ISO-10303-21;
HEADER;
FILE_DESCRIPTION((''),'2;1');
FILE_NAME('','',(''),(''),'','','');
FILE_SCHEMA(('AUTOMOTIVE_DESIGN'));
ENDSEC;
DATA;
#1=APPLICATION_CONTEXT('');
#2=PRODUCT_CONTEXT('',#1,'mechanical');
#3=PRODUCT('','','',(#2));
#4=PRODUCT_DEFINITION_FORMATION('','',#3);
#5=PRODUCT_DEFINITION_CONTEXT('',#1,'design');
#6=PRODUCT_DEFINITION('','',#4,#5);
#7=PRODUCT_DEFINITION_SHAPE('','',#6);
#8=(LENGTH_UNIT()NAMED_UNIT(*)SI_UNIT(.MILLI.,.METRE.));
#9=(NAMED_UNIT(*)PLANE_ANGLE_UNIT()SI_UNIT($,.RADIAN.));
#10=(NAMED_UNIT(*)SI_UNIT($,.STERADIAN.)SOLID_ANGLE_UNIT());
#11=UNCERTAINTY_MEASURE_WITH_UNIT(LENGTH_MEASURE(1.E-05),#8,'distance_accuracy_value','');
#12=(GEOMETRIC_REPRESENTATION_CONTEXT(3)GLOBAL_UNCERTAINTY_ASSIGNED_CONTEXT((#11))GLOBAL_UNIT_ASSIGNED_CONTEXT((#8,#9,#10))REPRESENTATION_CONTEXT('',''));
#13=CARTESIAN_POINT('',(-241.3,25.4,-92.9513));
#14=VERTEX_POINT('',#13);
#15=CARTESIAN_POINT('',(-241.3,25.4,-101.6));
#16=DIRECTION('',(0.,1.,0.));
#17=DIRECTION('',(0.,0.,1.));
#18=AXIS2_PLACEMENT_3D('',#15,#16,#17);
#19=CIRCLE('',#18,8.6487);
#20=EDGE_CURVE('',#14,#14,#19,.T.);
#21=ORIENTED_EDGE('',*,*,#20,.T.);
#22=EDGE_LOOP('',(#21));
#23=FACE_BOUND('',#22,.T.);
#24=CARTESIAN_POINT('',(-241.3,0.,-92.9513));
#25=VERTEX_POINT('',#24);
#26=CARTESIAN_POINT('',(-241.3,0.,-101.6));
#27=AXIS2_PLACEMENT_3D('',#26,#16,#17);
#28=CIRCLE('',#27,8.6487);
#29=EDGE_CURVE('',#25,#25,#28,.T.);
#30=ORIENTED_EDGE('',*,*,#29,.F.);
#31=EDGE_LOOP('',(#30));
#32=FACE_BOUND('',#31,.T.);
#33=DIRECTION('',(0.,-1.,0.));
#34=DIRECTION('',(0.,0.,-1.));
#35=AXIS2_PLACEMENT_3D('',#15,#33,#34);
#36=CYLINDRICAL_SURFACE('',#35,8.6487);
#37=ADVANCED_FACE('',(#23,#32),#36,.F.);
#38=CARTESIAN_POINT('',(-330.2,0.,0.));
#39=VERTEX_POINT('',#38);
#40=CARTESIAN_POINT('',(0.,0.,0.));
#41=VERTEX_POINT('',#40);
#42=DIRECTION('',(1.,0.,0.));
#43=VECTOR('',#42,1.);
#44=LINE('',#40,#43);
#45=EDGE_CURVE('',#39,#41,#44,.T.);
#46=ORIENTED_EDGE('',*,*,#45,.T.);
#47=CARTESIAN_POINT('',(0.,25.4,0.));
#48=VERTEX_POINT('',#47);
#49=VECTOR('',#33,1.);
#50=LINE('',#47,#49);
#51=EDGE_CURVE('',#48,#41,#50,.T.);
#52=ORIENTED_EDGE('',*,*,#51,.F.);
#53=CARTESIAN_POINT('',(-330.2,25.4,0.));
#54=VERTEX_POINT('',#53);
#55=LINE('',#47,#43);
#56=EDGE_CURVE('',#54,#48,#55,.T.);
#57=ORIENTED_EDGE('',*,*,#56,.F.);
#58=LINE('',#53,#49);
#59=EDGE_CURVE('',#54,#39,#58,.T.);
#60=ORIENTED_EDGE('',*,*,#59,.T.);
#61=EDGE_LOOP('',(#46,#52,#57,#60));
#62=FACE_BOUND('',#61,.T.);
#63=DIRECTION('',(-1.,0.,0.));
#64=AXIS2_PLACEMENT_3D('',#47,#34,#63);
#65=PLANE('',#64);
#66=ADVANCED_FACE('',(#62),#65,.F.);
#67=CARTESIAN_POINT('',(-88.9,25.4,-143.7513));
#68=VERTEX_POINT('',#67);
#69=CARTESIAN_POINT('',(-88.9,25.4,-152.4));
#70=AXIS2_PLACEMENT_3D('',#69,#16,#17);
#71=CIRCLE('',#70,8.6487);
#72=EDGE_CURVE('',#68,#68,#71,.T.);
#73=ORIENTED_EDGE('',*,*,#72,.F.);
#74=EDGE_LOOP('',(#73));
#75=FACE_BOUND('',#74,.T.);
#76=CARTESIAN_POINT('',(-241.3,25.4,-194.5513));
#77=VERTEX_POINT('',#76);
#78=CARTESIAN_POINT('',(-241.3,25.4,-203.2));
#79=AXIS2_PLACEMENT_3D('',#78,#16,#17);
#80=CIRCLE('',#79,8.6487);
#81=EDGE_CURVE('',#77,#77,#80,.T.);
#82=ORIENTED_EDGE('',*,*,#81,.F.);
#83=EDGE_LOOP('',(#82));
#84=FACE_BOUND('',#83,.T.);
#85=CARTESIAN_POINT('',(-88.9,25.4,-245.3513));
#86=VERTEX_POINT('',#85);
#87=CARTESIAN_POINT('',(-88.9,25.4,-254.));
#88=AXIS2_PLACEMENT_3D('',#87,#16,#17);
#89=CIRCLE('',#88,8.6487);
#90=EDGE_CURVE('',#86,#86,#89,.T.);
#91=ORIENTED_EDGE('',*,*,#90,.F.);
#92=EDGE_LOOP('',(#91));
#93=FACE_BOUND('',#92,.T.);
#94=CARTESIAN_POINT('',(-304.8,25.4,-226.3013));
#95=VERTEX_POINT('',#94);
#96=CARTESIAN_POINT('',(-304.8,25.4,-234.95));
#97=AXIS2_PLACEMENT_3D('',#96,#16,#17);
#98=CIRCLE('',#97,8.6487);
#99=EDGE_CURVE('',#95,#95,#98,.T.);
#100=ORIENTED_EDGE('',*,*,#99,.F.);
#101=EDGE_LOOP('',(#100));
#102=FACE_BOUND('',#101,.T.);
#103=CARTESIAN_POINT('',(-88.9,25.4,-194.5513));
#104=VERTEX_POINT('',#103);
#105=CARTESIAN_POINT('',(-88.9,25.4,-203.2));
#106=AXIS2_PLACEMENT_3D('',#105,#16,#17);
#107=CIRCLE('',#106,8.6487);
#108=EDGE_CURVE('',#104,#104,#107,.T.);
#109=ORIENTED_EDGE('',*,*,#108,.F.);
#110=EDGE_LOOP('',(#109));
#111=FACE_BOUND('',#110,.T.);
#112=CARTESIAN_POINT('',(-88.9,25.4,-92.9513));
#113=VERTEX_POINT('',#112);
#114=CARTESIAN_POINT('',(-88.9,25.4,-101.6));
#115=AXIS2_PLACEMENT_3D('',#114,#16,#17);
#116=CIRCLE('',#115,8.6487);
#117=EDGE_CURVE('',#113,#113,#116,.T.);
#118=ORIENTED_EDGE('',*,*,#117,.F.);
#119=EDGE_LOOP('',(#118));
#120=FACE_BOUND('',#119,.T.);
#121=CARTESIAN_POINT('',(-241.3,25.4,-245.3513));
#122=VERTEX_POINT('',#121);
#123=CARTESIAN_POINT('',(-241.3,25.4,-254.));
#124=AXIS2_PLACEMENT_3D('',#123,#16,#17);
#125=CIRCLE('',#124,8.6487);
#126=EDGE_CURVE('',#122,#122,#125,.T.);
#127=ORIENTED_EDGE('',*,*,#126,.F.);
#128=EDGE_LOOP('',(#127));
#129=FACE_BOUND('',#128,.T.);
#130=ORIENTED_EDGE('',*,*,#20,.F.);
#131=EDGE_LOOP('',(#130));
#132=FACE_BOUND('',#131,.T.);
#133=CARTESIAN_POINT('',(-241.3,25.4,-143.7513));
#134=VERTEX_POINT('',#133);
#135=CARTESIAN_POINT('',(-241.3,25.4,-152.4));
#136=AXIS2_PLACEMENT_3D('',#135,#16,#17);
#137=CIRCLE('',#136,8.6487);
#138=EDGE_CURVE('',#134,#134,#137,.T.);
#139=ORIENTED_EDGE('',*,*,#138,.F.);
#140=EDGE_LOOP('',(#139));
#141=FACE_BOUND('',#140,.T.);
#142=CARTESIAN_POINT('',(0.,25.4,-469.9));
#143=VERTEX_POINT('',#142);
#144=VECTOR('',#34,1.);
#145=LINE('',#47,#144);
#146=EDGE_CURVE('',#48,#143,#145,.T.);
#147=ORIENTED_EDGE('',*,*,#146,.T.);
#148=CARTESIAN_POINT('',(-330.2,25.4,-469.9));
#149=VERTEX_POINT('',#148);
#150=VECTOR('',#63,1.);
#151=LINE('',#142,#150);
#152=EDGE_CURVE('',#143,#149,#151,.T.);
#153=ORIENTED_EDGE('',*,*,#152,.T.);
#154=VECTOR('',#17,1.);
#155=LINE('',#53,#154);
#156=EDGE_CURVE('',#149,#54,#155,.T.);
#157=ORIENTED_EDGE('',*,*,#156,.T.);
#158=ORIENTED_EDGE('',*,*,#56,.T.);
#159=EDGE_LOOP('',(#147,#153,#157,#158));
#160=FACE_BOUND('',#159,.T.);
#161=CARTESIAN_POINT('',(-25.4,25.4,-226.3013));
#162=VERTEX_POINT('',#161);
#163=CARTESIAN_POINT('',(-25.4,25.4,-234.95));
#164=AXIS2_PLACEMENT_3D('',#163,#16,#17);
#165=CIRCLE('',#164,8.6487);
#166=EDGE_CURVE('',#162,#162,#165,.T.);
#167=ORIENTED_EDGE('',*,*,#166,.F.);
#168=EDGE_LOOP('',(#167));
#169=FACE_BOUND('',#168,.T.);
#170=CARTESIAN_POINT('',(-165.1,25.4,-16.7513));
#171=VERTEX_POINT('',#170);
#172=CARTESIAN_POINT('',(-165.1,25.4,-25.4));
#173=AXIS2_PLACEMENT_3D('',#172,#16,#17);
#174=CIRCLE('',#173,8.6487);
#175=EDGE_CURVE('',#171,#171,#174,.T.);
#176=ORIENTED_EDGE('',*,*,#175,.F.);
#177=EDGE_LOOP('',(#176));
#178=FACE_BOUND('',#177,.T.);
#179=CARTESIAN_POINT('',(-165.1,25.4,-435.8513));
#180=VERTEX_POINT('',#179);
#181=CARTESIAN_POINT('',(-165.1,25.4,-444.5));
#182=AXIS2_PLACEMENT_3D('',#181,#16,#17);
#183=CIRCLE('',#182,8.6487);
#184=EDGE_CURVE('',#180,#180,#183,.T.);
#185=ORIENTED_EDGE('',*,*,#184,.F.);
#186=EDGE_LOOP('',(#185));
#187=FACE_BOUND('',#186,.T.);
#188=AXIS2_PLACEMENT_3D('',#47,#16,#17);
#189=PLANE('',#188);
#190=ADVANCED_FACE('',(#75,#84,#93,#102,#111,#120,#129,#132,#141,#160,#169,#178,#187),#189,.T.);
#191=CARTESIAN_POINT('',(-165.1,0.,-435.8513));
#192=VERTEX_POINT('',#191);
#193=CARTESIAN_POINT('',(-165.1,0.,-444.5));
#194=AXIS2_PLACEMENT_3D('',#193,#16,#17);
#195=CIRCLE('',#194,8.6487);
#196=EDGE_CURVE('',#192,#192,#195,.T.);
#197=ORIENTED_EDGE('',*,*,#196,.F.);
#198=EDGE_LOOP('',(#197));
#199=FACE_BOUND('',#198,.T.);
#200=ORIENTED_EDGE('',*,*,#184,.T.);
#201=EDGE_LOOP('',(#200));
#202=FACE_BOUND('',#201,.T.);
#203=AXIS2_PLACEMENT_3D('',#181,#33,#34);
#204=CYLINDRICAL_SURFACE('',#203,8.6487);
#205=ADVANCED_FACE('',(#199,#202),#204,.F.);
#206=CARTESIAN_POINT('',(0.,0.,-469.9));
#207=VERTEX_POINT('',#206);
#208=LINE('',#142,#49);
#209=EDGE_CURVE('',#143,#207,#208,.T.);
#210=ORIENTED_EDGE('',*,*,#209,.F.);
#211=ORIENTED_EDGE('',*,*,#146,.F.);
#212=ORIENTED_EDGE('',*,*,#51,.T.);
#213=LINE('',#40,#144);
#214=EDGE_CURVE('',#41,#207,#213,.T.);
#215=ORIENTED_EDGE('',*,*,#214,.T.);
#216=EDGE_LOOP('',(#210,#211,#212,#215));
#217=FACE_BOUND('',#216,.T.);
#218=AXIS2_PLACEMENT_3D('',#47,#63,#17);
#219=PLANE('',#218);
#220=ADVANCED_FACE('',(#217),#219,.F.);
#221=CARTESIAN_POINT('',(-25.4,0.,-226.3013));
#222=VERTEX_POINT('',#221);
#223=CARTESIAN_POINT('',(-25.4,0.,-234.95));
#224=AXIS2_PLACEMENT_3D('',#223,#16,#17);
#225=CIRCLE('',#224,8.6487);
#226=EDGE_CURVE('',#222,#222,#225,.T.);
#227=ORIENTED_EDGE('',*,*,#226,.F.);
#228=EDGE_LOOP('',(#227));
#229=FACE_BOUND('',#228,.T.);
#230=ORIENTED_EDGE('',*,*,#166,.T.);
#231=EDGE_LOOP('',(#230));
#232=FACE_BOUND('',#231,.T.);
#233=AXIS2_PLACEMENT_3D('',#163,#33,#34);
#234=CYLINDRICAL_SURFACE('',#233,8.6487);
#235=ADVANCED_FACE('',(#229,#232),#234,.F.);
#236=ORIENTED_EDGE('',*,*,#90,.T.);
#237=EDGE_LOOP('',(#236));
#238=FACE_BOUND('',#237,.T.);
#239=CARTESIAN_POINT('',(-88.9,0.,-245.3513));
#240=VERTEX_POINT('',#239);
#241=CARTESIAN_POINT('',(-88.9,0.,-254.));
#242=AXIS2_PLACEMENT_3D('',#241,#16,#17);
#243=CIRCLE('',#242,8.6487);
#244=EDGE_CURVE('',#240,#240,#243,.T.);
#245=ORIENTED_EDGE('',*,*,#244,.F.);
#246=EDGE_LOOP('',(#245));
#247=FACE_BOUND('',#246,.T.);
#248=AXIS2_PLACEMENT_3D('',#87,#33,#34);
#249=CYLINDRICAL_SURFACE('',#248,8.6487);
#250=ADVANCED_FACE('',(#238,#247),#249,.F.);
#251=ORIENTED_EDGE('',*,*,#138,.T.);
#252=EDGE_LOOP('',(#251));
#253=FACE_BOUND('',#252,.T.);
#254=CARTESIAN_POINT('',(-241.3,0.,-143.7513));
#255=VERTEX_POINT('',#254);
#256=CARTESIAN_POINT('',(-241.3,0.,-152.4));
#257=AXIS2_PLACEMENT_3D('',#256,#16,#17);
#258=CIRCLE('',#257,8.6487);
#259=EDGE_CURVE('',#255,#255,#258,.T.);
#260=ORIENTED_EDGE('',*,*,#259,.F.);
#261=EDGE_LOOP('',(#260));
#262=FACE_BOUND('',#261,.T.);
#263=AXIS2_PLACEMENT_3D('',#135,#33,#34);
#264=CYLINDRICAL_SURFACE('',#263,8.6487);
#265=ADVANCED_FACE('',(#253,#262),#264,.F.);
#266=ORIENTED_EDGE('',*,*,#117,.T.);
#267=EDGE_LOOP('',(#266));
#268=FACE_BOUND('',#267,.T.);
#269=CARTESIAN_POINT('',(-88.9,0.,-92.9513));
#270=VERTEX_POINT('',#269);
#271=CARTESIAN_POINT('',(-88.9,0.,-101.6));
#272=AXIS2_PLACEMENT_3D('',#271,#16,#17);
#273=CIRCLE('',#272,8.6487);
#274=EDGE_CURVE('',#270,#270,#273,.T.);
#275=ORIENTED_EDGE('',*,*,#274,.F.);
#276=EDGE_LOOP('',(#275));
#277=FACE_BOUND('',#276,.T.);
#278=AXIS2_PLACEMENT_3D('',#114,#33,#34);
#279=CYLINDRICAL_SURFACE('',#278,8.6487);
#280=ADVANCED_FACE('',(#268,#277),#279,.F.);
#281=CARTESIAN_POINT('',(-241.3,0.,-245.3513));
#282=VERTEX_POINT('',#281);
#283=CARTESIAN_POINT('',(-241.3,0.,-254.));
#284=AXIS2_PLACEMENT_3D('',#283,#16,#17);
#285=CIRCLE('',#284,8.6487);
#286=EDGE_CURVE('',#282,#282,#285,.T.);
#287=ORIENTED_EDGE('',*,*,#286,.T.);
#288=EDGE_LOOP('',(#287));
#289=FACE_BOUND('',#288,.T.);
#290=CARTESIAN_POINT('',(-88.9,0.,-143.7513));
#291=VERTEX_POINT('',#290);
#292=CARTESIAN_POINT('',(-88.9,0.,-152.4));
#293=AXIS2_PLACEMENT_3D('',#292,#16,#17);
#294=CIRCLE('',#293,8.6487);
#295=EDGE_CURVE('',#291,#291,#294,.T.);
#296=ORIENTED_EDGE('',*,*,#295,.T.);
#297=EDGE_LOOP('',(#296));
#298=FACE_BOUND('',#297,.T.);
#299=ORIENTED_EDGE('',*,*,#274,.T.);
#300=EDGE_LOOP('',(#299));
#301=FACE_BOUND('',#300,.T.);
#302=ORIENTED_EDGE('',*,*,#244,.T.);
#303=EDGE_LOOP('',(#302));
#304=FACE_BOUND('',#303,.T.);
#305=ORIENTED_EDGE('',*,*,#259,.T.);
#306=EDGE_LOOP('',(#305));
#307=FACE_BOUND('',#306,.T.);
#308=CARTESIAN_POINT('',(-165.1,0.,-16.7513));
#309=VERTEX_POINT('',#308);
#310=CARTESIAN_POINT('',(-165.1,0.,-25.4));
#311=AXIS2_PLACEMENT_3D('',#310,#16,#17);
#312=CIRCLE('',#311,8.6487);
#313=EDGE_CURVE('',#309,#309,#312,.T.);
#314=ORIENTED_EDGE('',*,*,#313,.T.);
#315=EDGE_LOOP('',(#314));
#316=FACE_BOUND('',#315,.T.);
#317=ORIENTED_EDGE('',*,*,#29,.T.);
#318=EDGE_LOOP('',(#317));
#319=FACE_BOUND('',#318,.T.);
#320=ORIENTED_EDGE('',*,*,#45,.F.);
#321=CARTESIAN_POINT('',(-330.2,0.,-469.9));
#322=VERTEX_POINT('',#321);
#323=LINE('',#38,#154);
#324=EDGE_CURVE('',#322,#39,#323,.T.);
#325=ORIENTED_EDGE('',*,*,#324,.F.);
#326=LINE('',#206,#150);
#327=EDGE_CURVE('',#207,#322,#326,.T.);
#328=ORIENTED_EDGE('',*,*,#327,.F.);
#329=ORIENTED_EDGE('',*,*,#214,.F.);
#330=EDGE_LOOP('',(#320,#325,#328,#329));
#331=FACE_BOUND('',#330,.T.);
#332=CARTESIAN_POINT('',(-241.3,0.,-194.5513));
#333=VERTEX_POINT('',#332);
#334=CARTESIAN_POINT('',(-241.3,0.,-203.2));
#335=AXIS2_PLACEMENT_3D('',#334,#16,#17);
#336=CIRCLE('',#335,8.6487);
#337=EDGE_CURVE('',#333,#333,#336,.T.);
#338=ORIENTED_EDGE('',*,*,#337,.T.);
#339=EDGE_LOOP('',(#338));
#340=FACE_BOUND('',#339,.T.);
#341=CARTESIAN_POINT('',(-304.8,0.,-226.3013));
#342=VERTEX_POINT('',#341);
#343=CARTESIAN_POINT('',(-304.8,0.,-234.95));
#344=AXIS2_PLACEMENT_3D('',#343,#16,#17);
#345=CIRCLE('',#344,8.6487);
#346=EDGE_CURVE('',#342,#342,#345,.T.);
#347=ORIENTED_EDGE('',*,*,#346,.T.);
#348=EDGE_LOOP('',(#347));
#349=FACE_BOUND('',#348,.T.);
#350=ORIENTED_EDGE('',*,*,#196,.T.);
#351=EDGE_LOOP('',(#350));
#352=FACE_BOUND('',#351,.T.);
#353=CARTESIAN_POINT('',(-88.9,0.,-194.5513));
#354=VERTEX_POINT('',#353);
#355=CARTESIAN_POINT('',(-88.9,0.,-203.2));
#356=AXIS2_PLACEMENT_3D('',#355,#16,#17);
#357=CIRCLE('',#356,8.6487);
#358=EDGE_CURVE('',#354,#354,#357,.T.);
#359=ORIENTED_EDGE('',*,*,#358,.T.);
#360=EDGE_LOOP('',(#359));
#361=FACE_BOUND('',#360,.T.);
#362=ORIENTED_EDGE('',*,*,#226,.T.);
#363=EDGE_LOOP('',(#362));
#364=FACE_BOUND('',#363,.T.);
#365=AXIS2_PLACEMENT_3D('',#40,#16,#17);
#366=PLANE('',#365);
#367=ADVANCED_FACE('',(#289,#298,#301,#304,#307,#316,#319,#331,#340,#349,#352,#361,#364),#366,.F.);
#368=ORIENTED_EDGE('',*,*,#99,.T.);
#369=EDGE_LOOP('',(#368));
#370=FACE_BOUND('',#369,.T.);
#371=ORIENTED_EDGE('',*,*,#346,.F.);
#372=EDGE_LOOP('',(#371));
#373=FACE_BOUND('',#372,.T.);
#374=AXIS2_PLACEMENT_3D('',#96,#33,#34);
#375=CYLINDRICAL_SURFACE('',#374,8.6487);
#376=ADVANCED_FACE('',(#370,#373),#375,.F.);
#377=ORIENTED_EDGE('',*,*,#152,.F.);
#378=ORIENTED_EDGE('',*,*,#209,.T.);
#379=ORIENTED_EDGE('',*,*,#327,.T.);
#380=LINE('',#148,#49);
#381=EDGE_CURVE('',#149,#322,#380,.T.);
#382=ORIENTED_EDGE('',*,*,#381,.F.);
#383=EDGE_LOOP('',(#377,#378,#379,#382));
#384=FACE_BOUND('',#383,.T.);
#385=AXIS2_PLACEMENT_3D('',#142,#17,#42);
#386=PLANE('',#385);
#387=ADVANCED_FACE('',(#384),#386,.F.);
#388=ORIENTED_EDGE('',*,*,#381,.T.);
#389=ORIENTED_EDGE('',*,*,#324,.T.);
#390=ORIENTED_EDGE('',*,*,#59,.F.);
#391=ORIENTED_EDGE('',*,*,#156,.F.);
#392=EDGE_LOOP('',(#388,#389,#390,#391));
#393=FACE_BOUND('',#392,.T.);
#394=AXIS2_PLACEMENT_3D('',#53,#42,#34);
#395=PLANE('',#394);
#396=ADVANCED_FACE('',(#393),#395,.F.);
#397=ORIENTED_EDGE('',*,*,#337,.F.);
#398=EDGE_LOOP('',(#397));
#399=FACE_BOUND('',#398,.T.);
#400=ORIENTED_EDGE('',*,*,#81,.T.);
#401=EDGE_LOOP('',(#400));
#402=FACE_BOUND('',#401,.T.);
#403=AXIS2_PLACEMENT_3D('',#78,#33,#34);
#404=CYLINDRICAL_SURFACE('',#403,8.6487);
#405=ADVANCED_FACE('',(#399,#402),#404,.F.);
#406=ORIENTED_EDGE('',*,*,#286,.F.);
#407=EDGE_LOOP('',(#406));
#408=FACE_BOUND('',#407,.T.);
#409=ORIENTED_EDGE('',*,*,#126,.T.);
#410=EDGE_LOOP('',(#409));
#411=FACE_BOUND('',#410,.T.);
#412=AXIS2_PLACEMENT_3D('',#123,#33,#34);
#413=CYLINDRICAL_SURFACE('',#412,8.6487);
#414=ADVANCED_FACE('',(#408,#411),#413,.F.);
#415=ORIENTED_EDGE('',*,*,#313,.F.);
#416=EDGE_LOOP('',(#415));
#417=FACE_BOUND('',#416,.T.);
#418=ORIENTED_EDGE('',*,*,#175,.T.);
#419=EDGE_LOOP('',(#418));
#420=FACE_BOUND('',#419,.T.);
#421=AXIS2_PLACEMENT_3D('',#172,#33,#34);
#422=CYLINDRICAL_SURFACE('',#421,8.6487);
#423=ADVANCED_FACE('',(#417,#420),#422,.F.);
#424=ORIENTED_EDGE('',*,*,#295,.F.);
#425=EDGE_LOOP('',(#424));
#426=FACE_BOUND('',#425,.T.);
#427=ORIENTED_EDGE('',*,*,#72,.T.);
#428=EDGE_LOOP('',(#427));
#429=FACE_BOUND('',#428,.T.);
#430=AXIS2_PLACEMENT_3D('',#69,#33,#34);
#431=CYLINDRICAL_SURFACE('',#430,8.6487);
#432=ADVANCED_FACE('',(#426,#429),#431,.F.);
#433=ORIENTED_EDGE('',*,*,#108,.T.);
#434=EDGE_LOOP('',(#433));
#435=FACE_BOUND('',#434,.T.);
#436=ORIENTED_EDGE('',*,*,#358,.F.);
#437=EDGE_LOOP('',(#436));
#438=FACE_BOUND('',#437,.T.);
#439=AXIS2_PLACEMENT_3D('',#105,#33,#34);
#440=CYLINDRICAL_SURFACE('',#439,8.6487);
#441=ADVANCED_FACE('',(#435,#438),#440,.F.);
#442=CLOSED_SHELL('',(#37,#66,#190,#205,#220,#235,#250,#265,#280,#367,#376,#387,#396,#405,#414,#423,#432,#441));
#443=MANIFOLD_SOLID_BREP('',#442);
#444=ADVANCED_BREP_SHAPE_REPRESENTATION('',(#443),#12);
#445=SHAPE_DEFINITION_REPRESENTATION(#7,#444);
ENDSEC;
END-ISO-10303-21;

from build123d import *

# Parameters (mm, degrees)
SKETCH1_W           = 330.2
SKETCH1_H           = 469.9
SKETCH1_R           = 8.6487
BOSS_EXTRUDE1_DEPTH = 25.4


with BuildPart() as part:
    # Sketch1 → Boss-Extrude1 (new body)
    with BuildSketch(Plane(origin=(0, 0, 0), x_dir=(1, 0, 0), z_dir=(0, 1, 0))):
        with Locations((-165.1, 234.95)):
            Rectangle(SKETCH1_W, SKETCH1_H)
        with Locations((-165.1, 444.5)):
            Circle(SKETCH1_R, mode=Mode.SUBTRACT)
        with Locations((-25.4, 234.95)):
            Circle(SKETCH1_R, mode=Mode.SUBTRACT)
        with Locations((-165.1, 25.4)):
            Circle(SKETCH1_R, mode=Mode.SUBTRACT)
        with Locations((-304.8, 234.95)):
            Circle(SKETCH1_R, mode=Mode.SUBTRACT)
        with Locations((-88.9, 101.6)):
            Circle(SKETCH1_R, mode=Mode.SUBTRACT)
        with Locations((-88.9, 152.4)):
            Circle(SKETCH1_R, mode=Mode.SUBTRACT)
        with Locations((-88.9, 203.2)):
            Circle(SKETCH1_R, mode=Mode.SUBTRACT)
        with Locations((-88.9, 254)):
            Circle(SKETCH1_R, mode=Mode.SUBTRACT)
        with Locations((-241.3, 101.6)):
            Circle(SKETCH1_R, mode=Mode.SUBTRACT)
        with Locations((-241.3, 152.4)):
            Circle(SKETCH1_R, mode=Mode.SUBTRACT)
        with Locations((-241.3, 203.2)):
            Circle(SKETCH1_R, mode=Mode.SUBTRACT)
        with Locations((-241.3, 254)):
            Circle(SKETCH1_R, mode=Mode.SUBTRACT)
    extrude(amount=BOSS_EXTRUDE1_DEPTH)


solid = part.part
